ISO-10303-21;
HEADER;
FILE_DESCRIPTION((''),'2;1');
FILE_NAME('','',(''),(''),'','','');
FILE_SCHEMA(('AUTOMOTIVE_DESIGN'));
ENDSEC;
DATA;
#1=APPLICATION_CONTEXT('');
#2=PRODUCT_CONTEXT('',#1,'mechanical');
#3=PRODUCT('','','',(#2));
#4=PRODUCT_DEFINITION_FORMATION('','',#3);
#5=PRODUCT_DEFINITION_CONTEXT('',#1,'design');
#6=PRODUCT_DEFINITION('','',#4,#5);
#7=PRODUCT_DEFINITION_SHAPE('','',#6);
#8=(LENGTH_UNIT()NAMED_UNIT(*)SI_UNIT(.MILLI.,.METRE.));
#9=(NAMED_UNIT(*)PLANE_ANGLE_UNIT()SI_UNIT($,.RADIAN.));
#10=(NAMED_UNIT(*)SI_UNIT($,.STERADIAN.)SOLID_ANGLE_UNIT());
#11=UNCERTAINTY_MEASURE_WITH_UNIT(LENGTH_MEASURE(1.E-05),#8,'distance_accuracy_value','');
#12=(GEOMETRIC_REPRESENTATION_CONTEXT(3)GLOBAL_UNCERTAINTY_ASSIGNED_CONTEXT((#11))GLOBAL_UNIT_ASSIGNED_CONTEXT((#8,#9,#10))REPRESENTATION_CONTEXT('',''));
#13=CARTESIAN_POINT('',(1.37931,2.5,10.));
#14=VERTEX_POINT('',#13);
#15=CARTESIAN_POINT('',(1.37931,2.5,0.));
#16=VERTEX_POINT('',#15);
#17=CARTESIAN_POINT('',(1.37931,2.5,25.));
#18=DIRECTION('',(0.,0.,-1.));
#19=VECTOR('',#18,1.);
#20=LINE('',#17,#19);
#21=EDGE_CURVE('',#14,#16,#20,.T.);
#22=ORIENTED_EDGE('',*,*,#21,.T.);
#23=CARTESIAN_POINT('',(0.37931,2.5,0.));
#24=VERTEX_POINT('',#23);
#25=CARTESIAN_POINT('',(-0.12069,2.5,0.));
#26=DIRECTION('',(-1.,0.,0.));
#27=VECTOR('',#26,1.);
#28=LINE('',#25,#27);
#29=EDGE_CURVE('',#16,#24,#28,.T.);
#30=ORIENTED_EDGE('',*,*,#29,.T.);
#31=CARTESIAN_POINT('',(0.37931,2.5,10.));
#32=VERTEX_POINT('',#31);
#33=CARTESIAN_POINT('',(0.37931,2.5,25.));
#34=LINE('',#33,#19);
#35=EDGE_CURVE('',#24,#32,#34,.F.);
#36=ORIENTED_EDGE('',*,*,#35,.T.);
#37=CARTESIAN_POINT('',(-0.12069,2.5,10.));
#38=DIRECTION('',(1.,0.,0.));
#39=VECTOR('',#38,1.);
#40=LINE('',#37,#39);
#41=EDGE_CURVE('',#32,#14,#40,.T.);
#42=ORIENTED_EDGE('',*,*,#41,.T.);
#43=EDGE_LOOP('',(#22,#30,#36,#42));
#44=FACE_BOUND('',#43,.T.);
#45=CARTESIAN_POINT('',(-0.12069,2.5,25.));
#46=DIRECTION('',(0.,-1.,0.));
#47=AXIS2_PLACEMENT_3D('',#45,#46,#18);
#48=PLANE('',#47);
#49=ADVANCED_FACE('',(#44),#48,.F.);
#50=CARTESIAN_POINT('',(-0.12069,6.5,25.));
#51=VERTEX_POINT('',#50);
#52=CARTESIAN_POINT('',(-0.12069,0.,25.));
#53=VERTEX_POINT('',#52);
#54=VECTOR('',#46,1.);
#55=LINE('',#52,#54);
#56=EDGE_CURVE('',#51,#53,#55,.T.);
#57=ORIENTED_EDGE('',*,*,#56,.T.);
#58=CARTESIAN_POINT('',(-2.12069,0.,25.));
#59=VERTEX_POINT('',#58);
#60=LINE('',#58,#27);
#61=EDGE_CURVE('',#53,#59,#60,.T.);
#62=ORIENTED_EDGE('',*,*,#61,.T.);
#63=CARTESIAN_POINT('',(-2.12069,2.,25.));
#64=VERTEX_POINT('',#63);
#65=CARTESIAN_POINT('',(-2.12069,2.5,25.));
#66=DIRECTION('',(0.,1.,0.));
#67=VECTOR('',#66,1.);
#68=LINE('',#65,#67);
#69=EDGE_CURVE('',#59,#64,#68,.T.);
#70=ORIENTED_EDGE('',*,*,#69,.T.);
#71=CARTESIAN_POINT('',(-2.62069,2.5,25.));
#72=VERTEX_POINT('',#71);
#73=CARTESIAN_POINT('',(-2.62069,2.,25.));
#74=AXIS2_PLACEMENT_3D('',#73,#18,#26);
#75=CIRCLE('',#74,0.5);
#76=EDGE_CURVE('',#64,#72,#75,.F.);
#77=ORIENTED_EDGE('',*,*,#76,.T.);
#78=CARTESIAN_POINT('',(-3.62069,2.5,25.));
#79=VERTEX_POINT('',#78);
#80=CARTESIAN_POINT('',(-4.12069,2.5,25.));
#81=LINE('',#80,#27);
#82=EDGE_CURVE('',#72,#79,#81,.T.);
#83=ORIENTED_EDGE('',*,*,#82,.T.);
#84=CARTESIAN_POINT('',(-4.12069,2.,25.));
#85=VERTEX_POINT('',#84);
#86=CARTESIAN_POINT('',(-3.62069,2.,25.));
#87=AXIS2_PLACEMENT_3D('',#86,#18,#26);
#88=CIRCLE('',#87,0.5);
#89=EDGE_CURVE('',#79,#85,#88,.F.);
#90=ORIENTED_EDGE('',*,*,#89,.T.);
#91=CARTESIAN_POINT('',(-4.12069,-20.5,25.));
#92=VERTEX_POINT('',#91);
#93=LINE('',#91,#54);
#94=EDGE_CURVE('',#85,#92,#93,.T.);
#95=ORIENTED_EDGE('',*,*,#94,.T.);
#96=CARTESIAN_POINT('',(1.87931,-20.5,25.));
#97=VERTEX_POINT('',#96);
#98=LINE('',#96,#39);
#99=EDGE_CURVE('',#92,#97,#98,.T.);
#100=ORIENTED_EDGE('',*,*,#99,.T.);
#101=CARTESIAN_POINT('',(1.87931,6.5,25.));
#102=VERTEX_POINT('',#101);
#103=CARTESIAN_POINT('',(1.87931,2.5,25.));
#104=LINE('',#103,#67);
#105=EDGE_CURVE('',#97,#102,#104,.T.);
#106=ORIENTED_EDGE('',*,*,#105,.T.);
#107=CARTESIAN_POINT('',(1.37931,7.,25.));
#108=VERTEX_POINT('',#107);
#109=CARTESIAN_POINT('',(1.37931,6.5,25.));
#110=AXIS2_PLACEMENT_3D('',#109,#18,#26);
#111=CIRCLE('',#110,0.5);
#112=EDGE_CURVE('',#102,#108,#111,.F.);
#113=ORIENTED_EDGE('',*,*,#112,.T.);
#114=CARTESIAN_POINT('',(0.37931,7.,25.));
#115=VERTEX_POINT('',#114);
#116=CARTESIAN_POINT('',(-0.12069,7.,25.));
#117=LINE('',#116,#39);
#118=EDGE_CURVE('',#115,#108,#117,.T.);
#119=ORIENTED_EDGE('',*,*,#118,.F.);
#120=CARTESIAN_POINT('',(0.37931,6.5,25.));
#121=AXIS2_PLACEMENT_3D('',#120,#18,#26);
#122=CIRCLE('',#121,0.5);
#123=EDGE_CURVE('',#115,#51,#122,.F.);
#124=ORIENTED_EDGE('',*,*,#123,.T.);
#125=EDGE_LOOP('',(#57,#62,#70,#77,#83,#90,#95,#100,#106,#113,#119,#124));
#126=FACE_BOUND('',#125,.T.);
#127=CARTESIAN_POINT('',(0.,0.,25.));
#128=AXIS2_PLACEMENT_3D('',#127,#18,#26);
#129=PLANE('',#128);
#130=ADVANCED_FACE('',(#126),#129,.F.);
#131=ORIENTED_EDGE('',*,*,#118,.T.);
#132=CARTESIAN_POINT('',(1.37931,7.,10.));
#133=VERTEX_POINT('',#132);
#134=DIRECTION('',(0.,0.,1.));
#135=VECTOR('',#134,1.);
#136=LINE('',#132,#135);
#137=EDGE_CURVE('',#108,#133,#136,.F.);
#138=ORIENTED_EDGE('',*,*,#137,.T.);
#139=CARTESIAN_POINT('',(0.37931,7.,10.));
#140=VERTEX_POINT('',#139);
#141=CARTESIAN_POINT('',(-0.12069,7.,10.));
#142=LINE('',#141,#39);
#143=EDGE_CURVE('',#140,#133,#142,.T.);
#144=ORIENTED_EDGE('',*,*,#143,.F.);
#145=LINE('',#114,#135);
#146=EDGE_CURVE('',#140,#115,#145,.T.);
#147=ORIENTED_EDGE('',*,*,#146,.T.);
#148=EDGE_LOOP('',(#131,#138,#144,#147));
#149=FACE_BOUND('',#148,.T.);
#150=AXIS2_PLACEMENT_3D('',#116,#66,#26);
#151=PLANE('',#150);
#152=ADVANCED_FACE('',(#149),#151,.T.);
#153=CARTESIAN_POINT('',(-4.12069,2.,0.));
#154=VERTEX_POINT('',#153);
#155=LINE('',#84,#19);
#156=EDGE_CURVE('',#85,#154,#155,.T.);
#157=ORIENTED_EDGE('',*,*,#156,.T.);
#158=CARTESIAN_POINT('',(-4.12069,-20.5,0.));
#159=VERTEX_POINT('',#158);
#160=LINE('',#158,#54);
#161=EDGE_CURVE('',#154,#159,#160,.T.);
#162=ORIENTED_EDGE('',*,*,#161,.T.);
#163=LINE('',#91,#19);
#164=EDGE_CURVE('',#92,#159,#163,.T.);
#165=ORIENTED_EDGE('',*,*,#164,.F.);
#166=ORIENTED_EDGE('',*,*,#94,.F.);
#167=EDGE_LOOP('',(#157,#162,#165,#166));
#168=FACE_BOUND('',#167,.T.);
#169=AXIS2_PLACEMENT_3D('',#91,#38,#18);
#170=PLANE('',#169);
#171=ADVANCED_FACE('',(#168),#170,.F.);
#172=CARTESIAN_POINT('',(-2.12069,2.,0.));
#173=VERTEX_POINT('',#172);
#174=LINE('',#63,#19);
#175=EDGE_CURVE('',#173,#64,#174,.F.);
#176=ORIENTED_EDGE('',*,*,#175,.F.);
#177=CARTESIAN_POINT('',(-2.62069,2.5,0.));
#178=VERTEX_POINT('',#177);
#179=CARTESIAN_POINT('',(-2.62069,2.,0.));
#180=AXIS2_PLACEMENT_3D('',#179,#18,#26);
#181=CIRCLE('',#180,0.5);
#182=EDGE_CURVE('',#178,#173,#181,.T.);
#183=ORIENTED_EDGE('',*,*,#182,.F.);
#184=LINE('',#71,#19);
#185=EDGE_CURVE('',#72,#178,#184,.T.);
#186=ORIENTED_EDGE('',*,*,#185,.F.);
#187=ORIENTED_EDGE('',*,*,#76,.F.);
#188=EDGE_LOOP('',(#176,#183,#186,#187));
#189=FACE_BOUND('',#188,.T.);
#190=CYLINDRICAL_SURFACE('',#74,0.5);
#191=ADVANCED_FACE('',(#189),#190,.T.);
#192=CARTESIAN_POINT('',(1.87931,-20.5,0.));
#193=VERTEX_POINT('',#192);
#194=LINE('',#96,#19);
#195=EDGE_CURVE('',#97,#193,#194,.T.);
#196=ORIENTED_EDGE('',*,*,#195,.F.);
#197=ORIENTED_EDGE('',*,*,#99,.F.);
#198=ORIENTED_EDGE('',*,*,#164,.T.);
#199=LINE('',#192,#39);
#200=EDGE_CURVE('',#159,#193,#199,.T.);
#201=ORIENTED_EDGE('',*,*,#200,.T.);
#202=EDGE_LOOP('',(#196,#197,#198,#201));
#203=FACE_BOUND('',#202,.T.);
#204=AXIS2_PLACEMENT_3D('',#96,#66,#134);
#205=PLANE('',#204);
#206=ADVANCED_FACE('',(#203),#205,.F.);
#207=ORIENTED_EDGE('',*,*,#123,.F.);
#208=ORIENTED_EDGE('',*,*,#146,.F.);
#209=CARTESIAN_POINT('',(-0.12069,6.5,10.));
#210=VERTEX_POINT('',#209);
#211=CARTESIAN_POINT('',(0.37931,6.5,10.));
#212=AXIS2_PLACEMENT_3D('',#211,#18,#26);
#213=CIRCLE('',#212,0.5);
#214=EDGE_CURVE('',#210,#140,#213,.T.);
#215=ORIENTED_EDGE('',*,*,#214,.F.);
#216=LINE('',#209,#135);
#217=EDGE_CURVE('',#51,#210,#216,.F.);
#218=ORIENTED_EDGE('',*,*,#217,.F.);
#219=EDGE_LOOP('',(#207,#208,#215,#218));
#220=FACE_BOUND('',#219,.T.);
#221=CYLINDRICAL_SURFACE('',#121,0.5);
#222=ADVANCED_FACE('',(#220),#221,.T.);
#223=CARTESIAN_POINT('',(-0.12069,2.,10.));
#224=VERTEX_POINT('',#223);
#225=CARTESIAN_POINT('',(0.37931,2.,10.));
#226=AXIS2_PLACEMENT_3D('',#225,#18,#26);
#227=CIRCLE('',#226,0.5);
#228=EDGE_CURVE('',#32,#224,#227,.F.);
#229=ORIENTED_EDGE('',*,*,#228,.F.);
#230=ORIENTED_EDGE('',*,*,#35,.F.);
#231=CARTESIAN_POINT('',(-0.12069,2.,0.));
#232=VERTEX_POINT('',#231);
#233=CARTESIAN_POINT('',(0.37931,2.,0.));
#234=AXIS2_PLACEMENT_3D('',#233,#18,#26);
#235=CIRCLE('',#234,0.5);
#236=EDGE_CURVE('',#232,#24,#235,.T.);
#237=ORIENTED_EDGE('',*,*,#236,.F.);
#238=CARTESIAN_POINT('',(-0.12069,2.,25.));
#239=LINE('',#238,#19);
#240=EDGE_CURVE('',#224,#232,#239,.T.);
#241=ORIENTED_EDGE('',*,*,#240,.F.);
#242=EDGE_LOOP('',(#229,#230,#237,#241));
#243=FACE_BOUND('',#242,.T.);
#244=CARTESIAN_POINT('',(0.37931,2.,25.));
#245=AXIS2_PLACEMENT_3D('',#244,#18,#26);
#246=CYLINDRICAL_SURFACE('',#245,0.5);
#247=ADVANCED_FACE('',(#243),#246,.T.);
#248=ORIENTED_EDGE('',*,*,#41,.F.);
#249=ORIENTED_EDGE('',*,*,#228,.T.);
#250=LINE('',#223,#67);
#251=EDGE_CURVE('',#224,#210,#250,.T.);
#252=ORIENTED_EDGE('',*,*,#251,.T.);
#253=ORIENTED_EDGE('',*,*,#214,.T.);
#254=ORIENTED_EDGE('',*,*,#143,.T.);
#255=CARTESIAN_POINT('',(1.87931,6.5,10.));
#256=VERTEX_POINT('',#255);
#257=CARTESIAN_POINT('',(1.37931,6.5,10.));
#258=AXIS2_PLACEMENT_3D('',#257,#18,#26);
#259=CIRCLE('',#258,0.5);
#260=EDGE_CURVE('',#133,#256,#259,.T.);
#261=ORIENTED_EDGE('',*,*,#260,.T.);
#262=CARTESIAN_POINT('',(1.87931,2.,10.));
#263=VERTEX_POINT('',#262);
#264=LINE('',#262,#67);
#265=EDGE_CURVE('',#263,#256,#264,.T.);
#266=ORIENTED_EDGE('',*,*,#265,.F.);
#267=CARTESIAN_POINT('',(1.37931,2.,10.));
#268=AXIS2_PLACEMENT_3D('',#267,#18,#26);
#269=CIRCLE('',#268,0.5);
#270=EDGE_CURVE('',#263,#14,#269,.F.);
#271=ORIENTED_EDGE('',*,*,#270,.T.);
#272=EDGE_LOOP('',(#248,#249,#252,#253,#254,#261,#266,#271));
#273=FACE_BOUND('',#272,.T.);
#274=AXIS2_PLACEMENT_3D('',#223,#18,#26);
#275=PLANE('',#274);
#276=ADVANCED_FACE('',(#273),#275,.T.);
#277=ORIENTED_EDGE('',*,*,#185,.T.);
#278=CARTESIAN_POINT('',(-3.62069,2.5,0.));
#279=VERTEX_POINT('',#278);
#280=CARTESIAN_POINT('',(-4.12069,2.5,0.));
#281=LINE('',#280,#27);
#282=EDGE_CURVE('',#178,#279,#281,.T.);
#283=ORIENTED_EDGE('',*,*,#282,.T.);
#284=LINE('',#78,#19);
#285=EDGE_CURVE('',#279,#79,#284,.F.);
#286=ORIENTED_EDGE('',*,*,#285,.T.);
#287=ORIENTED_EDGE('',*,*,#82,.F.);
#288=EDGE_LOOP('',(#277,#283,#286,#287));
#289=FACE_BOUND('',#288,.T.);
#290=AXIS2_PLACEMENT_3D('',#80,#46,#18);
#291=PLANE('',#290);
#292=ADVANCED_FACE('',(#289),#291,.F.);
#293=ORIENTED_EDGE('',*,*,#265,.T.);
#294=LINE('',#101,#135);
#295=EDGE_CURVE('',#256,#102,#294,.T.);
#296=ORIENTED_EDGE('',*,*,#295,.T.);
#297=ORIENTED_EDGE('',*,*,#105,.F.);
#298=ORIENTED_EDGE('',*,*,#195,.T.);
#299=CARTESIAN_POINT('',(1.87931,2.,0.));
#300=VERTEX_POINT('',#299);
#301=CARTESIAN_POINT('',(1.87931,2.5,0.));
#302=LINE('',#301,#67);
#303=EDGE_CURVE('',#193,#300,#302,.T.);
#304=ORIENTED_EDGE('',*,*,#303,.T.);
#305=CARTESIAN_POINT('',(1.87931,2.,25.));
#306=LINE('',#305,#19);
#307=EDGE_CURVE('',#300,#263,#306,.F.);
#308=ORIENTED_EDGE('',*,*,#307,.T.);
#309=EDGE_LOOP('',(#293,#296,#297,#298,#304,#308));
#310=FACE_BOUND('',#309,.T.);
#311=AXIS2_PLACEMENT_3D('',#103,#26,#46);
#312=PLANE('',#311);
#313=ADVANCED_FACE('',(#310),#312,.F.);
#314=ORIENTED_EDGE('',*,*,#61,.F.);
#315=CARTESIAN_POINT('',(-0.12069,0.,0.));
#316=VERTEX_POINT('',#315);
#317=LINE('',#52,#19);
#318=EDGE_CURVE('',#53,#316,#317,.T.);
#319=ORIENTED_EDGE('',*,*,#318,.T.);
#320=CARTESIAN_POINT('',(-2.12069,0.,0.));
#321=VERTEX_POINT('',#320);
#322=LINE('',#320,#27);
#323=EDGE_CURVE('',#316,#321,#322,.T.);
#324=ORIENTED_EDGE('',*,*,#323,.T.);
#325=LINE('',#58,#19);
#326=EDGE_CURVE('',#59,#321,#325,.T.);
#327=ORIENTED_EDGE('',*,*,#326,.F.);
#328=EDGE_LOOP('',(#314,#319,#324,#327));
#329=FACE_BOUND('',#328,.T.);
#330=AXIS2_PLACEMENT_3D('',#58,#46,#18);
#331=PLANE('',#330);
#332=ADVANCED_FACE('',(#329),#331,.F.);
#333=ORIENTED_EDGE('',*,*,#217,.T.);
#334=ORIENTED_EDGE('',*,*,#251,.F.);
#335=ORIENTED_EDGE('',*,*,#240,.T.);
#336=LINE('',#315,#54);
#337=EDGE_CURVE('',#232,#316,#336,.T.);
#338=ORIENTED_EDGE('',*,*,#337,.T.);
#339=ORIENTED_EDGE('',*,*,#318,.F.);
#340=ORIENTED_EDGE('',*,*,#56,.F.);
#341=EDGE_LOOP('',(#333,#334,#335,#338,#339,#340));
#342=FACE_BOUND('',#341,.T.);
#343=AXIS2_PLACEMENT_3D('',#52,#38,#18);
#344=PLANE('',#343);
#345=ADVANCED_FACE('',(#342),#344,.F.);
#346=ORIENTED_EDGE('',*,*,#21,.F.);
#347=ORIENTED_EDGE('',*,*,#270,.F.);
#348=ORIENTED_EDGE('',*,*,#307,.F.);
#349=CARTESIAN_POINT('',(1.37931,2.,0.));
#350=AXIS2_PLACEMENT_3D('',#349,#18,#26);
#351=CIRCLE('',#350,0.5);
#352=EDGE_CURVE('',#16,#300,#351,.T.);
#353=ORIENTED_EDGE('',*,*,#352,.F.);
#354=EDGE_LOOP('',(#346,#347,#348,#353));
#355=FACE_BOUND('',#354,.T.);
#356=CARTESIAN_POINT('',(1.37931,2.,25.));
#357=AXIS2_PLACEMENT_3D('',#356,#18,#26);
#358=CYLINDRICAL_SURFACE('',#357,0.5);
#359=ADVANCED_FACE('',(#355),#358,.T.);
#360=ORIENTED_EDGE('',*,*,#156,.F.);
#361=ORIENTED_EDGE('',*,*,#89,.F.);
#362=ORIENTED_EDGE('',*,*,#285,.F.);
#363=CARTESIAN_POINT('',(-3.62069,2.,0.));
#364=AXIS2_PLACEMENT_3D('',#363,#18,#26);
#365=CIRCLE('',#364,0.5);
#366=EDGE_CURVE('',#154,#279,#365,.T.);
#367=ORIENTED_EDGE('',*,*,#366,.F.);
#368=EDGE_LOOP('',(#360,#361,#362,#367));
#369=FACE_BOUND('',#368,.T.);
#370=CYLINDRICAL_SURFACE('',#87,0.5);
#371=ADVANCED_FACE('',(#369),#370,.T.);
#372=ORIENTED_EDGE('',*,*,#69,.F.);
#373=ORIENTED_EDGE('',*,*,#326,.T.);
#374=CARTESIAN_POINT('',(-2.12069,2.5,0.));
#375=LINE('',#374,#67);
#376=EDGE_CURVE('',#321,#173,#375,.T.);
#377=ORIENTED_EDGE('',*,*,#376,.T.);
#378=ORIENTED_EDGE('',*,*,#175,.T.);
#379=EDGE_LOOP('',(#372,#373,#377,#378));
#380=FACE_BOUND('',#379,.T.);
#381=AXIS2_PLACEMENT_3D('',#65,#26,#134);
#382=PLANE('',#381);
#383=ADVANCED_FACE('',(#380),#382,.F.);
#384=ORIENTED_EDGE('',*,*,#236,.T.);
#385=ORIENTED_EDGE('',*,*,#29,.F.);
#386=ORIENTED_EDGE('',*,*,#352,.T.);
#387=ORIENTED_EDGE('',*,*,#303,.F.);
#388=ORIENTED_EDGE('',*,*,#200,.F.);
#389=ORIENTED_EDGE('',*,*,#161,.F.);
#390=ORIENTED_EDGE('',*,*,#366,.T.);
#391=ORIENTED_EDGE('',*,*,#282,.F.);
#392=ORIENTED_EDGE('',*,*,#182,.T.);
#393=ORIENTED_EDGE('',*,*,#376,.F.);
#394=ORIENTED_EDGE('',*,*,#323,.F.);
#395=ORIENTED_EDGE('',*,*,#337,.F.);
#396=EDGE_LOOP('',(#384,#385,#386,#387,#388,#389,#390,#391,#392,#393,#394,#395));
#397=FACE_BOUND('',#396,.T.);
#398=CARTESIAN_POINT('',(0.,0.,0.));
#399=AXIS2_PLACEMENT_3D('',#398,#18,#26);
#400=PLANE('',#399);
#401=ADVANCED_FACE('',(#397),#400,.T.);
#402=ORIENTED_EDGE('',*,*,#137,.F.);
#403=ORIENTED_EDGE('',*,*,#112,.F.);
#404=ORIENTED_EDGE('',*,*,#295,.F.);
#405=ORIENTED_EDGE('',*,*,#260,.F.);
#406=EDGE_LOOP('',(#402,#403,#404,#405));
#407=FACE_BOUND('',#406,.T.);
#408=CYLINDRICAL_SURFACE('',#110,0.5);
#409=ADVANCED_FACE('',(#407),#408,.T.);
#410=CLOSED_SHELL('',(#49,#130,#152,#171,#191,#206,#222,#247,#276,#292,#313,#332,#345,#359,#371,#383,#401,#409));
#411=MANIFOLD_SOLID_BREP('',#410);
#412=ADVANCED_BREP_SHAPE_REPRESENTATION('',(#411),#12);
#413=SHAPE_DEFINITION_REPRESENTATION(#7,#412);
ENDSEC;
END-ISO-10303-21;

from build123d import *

# Parameters (mm, degrees)
BOSS_EXTRU_1_DEPTH = 25
CONG_1_R           = 0.5
ESQUISSE2_W        = 15
ESQUISSE2_H        = 5
BOSS_EXTRU_2_DEPTH = 2
CONG_2_R           = 0.5


with BuildPart() as part:
    # Esquisse1 → Boss.-Extru.1 (new body)
    with BuildSketch(Plane.XY):
        Polygon((-4.120689655, 2.5), (-2.120689655, 2.5), (-2.120689655, 0), (-0.120689655, 0), (-0.120689655, 2.5), (1.879310345, 2.5), (1.879310345, -20.5), (-4.120689655, -20.5), align=None)
    extrude(amount=BOSS_EXTRU_1_DEPTH)

    # Congé1
    cong_1_edges = [part.edges().sort_by_distance(p)[0] for p in [
        (-4.120689655, 2.5, 12.5),
        (-2.120689655, 2.5, 12.5),
        (-0.120689655, 2.5, 12.5),
        (1.879310345, 2.5, 12.5),
    ]]
    fillet(cong_1_edges, radius=CONG_1_R)

    # Esquisse2 → Boss.-Extru.2 (add)
    with BuildSketch(Plane(origin=(1.879310345, 0, 0), x_dir=(0, 0, -1), z_dir=(1, 0, 0))):
        with Locations((-17.5, 4.5)):
            Rectangle(ESQUISSE2_W, ESQUISSE2_H)
    extrude(amount=-BOSS_EXTRU_2_DEPTH)

    # Congé2
    cong_2_edges = [part.edges().sort_by_distance(p)[0] for p in [
        (-0.120689655, 7, 17.5),
        (1.879310345, 7, 17.5),
    ]]
    fillet(cong_2_edges, radius=CONG_2_R)


solid = part.part
